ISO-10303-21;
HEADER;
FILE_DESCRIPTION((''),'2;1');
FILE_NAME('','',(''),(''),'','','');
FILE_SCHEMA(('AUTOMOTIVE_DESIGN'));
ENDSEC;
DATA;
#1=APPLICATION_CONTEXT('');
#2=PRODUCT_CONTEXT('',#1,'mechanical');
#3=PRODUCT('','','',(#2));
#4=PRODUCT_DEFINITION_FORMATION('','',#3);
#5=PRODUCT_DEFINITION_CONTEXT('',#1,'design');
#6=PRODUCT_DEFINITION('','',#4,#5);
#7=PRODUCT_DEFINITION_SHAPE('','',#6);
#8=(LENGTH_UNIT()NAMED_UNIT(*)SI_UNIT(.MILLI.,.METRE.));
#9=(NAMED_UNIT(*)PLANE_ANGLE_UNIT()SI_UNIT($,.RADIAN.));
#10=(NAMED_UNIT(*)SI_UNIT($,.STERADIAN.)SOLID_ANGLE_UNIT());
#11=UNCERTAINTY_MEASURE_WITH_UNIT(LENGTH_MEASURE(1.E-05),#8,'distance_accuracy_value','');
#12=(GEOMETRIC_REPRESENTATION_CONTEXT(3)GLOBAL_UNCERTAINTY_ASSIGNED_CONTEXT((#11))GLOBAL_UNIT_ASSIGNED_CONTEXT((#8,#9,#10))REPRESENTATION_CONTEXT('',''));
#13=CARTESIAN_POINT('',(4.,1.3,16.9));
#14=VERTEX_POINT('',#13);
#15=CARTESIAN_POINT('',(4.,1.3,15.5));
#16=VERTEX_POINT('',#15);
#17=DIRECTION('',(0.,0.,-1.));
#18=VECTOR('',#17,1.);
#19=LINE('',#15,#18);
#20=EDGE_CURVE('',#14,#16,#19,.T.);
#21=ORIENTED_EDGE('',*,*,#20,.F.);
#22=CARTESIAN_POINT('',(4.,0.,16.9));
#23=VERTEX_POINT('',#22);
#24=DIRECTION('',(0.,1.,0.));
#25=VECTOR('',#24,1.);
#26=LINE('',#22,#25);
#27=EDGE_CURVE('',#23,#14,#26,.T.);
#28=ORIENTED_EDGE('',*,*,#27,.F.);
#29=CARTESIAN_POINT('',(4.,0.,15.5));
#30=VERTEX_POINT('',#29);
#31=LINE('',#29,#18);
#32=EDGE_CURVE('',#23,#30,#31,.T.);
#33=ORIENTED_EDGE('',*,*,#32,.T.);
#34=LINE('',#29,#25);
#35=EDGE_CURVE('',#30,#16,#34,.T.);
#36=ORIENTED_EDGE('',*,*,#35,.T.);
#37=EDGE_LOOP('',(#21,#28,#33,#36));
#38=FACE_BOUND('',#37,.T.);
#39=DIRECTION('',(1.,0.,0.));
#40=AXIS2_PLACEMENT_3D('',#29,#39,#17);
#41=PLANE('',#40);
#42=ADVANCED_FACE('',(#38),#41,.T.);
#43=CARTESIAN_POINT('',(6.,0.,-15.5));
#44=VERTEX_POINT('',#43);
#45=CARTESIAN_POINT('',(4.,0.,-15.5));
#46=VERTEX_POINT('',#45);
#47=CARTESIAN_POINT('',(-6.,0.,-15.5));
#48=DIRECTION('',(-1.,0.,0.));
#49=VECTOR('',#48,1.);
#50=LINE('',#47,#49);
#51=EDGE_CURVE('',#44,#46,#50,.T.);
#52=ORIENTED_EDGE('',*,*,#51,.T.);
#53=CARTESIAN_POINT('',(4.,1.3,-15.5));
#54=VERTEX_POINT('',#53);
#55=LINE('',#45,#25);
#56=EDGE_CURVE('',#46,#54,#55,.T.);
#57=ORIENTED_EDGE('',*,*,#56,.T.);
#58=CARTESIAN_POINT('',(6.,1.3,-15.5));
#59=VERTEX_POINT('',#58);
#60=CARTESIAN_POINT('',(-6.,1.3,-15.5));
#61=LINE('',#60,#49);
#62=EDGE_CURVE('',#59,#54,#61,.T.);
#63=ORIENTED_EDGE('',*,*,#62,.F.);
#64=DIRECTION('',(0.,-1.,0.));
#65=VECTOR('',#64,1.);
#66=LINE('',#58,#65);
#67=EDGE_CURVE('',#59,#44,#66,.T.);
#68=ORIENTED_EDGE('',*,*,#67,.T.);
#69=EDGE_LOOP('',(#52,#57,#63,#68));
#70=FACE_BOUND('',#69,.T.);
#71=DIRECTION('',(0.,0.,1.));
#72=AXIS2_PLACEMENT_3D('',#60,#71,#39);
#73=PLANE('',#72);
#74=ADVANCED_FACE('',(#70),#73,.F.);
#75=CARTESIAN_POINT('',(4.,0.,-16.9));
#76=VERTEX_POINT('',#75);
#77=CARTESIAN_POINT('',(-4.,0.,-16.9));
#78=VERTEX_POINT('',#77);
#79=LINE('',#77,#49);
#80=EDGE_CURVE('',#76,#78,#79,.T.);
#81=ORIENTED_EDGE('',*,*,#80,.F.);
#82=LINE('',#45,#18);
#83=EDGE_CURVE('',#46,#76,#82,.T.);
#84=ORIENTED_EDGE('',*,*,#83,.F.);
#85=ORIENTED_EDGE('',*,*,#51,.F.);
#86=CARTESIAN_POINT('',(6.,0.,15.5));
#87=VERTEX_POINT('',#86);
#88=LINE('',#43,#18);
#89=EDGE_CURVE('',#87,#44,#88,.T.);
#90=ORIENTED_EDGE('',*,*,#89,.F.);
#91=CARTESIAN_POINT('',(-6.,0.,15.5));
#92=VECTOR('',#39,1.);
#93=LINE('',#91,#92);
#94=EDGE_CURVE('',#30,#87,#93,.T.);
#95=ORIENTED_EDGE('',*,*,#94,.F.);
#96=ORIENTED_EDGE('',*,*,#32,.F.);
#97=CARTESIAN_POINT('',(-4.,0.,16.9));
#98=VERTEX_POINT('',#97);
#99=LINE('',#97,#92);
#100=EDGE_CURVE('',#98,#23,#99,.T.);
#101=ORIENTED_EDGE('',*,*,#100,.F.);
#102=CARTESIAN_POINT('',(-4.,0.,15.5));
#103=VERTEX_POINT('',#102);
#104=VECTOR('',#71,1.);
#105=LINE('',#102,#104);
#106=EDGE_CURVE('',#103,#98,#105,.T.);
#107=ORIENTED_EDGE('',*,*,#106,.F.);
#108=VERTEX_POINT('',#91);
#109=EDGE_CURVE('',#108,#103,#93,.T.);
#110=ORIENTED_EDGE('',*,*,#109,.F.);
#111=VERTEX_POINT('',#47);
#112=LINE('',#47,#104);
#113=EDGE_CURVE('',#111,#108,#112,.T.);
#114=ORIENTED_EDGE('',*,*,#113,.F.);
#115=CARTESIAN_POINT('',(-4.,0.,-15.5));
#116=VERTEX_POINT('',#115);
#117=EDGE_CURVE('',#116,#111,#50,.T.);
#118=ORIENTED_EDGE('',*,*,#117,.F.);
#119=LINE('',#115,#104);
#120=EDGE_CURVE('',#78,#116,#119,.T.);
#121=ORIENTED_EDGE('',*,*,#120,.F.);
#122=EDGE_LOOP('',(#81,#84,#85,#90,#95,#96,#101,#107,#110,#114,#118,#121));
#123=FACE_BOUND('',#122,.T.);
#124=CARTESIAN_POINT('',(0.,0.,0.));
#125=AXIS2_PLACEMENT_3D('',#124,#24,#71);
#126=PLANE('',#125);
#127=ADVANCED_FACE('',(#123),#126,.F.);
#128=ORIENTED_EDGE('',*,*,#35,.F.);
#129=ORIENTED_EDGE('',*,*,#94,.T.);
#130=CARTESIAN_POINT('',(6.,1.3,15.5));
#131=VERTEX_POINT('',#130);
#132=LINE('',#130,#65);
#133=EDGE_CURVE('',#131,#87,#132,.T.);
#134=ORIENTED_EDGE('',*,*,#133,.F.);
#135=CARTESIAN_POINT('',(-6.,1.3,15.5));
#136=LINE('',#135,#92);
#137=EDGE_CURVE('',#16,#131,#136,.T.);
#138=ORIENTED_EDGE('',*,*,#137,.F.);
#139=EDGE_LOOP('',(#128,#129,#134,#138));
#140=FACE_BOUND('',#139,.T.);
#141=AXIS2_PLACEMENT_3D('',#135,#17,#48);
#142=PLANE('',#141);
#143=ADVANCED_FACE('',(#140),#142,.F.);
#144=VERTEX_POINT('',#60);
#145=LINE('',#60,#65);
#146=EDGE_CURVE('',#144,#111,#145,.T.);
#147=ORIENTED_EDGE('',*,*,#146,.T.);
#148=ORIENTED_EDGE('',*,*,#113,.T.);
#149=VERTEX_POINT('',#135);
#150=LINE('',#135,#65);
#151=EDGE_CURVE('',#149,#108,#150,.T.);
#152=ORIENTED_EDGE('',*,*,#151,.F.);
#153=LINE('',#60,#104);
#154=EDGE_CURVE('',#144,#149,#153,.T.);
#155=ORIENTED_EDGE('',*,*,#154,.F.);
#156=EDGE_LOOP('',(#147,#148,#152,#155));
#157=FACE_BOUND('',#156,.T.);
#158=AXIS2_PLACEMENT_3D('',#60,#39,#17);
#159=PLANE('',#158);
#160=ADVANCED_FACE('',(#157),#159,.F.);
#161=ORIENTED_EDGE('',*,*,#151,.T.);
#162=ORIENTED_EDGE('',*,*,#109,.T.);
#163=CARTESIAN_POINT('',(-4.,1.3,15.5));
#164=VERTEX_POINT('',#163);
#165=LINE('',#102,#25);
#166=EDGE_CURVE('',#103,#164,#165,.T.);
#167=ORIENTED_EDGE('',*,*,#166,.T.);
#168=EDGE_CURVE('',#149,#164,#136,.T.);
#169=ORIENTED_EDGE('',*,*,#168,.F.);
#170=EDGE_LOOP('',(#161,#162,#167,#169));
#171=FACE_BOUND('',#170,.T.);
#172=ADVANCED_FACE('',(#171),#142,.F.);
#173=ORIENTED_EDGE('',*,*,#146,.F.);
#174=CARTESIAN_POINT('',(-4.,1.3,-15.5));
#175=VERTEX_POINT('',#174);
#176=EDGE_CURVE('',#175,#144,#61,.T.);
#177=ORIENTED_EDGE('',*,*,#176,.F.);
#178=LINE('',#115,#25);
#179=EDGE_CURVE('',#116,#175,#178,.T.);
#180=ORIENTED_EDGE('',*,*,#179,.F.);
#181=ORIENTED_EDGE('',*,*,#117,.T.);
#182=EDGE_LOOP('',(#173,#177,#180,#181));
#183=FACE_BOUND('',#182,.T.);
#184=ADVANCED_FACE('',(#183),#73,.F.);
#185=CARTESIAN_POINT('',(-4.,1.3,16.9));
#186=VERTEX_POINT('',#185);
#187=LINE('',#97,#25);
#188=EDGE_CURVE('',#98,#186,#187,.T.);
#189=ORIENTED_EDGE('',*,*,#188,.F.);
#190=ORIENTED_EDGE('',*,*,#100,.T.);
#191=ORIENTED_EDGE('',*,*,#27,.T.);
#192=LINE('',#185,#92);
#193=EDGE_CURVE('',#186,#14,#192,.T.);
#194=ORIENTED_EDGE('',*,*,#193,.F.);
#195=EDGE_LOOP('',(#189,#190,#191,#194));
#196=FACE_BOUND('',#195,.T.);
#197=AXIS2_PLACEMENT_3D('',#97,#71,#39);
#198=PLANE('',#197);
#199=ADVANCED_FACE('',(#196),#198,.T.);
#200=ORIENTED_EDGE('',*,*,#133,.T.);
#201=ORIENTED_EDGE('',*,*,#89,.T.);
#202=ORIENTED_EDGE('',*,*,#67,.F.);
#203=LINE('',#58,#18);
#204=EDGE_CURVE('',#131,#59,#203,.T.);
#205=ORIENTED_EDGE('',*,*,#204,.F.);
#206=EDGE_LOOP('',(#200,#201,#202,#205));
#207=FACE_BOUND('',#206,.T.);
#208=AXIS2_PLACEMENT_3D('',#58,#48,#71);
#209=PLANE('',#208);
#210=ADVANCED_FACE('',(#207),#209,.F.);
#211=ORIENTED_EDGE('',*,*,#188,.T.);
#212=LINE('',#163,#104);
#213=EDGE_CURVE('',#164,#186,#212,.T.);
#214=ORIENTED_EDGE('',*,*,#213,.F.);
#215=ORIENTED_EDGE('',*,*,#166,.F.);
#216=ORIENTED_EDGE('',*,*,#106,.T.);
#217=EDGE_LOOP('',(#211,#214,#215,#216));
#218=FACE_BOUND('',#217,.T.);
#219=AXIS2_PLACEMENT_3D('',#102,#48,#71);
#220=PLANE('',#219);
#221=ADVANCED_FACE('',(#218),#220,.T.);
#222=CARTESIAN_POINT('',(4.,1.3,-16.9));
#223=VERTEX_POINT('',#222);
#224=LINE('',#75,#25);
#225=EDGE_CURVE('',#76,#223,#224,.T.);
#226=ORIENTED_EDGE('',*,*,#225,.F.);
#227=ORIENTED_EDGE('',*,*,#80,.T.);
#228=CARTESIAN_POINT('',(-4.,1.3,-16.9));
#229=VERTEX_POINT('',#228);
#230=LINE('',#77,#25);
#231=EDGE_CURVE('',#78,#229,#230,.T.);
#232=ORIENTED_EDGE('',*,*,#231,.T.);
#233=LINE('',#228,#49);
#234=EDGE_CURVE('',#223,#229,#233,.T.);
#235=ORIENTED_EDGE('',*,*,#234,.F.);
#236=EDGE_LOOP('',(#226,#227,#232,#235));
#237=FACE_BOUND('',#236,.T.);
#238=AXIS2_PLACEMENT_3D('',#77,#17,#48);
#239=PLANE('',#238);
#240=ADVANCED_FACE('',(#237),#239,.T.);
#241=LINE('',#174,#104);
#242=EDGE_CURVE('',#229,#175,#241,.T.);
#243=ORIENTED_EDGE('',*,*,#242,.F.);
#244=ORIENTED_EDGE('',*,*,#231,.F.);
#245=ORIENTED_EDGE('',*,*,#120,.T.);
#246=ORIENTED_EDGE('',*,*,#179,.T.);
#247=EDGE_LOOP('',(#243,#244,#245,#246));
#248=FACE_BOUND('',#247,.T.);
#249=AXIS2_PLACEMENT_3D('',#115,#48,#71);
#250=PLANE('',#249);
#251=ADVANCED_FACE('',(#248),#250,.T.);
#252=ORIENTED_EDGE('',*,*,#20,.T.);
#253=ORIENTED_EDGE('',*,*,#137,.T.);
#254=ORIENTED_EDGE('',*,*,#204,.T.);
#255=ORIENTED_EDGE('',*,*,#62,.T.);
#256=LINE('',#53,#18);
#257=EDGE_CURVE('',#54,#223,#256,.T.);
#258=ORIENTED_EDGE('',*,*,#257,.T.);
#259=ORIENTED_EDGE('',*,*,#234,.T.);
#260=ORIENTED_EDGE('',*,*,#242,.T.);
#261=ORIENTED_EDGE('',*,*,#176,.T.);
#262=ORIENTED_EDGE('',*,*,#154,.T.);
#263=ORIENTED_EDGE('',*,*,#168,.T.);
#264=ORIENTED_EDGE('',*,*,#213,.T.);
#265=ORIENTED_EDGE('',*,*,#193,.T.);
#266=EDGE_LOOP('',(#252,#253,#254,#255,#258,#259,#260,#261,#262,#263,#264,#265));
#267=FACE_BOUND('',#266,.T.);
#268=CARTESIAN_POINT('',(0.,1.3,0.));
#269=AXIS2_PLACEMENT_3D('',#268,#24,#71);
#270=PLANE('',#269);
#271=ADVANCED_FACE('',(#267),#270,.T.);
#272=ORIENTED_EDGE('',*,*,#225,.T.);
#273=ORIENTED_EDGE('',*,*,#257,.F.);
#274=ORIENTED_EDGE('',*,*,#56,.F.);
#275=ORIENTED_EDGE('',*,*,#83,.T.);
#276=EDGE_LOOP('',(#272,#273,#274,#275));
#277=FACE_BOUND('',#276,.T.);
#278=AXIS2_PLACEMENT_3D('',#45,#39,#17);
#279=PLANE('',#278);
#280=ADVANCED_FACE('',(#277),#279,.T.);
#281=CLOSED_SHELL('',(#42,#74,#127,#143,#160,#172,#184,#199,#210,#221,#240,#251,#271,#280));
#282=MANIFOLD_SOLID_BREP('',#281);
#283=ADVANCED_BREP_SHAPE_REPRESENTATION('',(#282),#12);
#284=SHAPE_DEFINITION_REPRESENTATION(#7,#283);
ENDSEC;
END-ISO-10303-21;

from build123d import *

# Parameters (mm, degrees)
SKETCH1_W           = 12
SKETCH1_H           = 31
BOSS_EXTRUDE1_DEPTH = 1.3
SKETCH2_W           = 8
SKETCH2_H           = 1.4
BOSS_EXTRUDE2_DEPTH = 1.3


with BuildPart() as part:
    # Sketch1 → Boss-Extrude1 (new body)
    with BuildSketch(Plane(origin=(0, 0, 0), x_dir=(1, 0, 0), z_dir=(0, 1, 0))):
        Rectangle(SKETCH1_W, SKETCH1_H)
    extrude(amount=BOSS_EXTRUDE1_DEPTH)

    # Sketch2 → Boss-Extrude2 (add)
    with BuildSketch(Plane(origin=(0, 1.3, 0), x_dir=(1, 0, 0), z_dir=(0, 1, 0))):
        with Locations((0, 16.2)):
            Rectangle(SKETCH2_W, SKETCH2_H)
        with Locations((0, -16.2)):
            Rectangle(SKETCH2_W, SKETCH2_H)
    extrude(amount=-BOSS_EXTRUDE2_DEPTH)


solid = part.part
